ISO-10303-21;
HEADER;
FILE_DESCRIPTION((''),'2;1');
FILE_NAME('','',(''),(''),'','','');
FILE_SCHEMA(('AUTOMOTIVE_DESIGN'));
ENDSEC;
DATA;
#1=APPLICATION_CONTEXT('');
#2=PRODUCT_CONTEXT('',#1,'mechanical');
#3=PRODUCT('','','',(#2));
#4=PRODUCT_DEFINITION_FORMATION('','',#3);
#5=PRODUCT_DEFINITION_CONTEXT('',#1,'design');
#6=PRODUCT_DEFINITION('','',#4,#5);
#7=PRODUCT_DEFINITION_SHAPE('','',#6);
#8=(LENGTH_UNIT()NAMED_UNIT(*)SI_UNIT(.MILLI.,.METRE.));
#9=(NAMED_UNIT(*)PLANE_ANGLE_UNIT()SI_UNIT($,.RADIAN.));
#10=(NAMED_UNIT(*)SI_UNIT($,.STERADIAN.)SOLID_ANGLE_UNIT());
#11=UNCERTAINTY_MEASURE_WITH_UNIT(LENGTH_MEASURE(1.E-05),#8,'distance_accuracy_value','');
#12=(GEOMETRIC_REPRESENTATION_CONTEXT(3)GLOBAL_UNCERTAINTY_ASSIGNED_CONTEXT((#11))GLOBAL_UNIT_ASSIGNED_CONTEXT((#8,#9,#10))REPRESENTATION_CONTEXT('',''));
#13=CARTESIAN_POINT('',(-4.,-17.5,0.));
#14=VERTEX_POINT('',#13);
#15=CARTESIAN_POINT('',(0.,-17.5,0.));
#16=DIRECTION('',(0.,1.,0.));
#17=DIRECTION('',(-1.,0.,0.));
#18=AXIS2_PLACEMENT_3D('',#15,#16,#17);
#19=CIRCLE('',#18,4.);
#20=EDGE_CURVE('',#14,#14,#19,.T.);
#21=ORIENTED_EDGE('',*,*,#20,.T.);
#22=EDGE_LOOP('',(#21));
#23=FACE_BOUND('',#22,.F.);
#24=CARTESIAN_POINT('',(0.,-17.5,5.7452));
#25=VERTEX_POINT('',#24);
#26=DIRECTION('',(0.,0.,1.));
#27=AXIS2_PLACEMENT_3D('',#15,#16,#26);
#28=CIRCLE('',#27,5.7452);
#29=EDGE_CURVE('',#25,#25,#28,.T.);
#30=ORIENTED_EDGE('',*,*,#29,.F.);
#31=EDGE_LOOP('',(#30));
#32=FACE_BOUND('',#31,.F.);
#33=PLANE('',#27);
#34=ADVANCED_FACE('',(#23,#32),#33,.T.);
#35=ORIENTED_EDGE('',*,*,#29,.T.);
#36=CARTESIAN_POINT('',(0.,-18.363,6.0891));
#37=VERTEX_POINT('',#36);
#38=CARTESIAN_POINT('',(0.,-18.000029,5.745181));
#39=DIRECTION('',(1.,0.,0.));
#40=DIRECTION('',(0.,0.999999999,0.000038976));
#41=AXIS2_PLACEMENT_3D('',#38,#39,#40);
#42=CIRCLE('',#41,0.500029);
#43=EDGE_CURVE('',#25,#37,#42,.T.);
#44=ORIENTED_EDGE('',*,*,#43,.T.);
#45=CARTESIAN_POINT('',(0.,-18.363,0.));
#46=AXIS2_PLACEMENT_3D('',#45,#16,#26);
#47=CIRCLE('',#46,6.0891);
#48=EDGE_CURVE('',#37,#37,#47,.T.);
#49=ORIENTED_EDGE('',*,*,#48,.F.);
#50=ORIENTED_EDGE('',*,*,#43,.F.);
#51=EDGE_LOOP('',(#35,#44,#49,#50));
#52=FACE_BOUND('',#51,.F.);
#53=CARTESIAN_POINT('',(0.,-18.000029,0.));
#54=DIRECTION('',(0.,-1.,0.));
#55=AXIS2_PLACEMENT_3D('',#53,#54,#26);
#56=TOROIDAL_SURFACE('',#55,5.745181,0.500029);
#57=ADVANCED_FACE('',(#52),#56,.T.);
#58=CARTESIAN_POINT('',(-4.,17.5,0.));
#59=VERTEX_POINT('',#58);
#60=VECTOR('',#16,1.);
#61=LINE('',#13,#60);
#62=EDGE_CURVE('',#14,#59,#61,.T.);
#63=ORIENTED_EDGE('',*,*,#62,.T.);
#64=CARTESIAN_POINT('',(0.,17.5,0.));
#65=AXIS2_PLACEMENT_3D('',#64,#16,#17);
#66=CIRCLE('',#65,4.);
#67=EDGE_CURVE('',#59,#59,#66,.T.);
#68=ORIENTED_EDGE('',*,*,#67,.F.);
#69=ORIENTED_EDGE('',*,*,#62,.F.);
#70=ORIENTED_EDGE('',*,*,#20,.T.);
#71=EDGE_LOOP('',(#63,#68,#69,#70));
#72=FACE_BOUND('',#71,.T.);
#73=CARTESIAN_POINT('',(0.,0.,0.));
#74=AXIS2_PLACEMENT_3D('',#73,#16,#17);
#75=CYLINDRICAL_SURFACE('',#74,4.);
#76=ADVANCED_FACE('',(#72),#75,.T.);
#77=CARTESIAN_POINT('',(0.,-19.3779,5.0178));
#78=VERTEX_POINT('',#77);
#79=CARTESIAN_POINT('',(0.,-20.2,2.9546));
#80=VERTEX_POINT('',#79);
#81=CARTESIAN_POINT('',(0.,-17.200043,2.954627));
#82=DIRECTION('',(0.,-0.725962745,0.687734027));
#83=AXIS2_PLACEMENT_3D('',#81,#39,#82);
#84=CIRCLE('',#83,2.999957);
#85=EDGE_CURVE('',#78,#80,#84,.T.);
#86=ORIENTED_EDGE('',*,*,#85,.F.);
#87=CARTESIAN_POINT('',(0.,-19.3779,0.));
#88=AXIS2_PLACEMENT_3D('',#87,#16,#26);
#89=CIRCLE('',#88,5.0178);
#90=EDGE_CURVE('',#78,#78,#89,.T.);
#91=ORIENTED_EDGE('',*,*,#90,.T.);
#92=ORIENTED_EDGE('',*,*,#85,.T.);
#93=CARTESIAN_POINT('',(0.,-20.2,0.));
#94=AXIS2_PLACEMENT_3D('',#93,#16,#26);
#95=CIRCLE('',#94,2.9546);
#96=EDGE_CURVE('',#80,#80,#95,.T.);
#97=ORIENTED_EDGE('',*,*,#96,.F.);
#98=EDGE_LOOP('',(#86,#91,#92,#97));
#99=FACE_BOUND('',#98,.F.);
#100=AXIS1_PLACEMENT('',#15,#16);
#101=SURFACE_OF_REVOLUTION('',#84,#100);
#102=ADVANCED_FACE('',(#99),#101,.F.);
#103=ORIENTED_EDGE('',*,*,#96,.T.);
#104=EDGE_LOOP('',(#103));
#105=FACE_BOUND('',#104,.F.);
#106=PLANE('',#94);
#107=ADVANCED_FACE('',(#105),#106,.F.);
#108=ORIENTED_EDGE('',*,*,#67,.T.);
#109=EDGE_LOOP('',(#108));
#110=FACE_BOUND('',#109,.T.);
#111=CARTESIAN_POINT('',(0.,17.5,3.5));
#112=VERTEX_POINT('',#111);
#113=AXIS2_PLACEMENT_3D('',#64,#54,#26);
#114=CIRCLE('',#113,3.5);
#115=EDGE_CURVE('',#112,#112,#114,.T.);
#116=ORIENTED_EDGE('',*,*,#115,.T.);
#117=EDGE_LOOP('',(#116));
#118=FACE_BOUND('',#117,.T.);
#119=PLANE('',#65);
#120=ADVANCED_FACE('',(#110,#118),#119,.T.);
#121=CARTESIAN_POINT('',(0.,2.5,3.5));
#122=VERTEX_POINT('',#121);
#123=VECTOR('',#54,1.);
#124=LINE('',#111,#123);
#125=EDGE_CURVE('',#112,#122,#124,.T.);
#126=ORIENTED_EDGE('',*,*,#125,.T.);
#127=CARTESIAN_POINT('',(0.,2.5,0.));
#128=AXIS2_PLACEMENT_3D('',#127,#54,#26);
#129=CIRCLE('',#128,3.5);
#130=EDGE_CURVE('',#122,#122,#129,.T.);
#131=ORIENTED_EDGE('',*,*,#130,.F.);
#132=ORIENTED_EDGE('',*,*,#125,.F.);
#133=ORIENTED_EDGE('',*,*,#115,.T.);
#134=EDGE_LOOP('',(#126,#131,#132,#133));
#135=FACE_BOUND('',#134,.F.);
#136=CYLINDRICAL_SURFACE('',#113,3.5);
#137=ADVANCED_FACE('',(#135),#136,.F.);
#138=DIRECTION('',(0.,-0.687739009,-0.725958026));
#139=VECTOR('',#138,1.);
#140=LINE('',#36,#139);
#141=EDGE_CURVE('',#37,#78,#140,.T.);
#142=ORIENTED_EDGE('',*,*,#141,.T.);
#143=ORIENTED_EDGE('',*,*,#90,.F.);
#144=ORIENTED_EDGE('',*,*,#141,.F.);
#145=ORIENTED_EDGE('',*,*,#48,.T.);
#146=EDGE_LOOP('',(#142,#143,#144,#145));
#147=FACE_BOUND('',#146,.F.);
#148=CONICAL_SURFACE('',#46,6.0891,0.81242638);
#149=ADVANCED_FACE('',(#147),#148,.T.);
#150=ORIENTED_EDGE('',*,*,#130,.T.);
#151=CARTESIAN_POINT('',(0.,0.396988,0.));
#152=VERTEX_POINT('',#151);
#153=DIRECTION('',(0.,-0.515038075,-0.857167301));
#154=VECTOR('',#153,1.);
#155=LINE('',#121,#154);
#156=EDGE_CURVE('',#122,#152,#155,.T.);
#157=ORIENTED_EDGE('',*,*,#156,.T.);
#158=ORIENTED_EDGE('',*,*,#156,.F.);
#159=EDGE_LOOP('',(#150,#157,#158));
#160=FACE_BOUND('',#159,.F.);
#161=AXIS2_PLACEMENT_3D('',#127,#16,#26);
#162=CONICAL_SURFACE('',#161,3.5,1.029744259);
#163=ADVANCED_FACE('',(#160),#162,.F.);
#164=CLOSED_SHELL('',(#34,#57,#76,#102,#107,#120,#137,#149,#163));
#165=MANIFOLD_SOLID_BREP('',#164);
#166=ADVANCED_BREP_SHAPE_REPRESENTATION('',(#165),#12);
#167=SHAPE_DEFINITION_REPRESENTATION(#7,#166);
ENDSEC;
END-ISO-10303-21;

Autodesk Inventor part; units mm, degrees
ref_plane "YZ Plane" through (0, 0, 0) normal (1, 0, 0) x (0, 1, 0)
ref_plane "XZ Plane" through (0, 0, 0) normal (0, 1, 0) x (-1, 0, 0)
ref_plane "XY Plane" through (0, 0, 0) normal (0, 0, 1) x (1, 0, 0)
sketch "Szkic1" plane through (0, 0, 0) normal (0, 1, 0) x (-1, 0, 0)
  circle A0 centre (0, 0) radius 4
  dimension "d0" = 8
extrude "Wyciągnięcie proste1" add sketch "Szkic1" along normal mid plane 35
sketch "Szkic3" plane through (0, 0, 0) normal (1, 0, 0) x (0, 1, 0)
  line L0 (-17.5, 4) -> (-17.5, -4) construction
  line L1 (-17.5, 0) -> (-17.5, 5.7452)
  line L2 (-18.363, 6.0891) -> (-19.3779, 5.0178)
  line L3 (-20.2, 2.9546) -> (-20.2, 0)
  line L4 (-20.2, 0) -> (-17.5, 0)
  arc A0 (-19.3779, 5.0178) -> (-20.2, 2.9546) centre (-17.2, 2.9546) ccw
  arc A1 (-17.5, 5.7452) -> (-18.363, 6.0891) centre (-18, 5.7452) ccw
  line L5 (-17.5, 0) -> (-13.3351, 0) construction
  point P0 (0, 0)
  point P1 (-17.5, 7)
  point P2 (-20.2, 4.15)
  dimension "d3" = 7
  dimension "d4" = 2.7
  dimension "d5" = 4.15
  dimension "d6" = 3
  dimension "d7" = 0.5
revolve "Podstawa" add sketch "Szkic3" angle 360 about axis through (0, -17.5, 0) along (0, 1, 0)
thread "Gwint1" size "M8x0.8" class "6g" standard "ISO Metric profile" full length
sketch "Szkic4" plane through (0, 17.5, 0) normal (0, 1, 0) x (1, 0, 0)
  circle A0 centre (0, 0) radius 4 projected
hole "Otwór1" at (0, 17.5, 0) direction (0, -1, 0) diameter 7 depth 15 tip angle 118
properties part number "Rdzeń_wentyla" material "Aluminium AW-7020"
